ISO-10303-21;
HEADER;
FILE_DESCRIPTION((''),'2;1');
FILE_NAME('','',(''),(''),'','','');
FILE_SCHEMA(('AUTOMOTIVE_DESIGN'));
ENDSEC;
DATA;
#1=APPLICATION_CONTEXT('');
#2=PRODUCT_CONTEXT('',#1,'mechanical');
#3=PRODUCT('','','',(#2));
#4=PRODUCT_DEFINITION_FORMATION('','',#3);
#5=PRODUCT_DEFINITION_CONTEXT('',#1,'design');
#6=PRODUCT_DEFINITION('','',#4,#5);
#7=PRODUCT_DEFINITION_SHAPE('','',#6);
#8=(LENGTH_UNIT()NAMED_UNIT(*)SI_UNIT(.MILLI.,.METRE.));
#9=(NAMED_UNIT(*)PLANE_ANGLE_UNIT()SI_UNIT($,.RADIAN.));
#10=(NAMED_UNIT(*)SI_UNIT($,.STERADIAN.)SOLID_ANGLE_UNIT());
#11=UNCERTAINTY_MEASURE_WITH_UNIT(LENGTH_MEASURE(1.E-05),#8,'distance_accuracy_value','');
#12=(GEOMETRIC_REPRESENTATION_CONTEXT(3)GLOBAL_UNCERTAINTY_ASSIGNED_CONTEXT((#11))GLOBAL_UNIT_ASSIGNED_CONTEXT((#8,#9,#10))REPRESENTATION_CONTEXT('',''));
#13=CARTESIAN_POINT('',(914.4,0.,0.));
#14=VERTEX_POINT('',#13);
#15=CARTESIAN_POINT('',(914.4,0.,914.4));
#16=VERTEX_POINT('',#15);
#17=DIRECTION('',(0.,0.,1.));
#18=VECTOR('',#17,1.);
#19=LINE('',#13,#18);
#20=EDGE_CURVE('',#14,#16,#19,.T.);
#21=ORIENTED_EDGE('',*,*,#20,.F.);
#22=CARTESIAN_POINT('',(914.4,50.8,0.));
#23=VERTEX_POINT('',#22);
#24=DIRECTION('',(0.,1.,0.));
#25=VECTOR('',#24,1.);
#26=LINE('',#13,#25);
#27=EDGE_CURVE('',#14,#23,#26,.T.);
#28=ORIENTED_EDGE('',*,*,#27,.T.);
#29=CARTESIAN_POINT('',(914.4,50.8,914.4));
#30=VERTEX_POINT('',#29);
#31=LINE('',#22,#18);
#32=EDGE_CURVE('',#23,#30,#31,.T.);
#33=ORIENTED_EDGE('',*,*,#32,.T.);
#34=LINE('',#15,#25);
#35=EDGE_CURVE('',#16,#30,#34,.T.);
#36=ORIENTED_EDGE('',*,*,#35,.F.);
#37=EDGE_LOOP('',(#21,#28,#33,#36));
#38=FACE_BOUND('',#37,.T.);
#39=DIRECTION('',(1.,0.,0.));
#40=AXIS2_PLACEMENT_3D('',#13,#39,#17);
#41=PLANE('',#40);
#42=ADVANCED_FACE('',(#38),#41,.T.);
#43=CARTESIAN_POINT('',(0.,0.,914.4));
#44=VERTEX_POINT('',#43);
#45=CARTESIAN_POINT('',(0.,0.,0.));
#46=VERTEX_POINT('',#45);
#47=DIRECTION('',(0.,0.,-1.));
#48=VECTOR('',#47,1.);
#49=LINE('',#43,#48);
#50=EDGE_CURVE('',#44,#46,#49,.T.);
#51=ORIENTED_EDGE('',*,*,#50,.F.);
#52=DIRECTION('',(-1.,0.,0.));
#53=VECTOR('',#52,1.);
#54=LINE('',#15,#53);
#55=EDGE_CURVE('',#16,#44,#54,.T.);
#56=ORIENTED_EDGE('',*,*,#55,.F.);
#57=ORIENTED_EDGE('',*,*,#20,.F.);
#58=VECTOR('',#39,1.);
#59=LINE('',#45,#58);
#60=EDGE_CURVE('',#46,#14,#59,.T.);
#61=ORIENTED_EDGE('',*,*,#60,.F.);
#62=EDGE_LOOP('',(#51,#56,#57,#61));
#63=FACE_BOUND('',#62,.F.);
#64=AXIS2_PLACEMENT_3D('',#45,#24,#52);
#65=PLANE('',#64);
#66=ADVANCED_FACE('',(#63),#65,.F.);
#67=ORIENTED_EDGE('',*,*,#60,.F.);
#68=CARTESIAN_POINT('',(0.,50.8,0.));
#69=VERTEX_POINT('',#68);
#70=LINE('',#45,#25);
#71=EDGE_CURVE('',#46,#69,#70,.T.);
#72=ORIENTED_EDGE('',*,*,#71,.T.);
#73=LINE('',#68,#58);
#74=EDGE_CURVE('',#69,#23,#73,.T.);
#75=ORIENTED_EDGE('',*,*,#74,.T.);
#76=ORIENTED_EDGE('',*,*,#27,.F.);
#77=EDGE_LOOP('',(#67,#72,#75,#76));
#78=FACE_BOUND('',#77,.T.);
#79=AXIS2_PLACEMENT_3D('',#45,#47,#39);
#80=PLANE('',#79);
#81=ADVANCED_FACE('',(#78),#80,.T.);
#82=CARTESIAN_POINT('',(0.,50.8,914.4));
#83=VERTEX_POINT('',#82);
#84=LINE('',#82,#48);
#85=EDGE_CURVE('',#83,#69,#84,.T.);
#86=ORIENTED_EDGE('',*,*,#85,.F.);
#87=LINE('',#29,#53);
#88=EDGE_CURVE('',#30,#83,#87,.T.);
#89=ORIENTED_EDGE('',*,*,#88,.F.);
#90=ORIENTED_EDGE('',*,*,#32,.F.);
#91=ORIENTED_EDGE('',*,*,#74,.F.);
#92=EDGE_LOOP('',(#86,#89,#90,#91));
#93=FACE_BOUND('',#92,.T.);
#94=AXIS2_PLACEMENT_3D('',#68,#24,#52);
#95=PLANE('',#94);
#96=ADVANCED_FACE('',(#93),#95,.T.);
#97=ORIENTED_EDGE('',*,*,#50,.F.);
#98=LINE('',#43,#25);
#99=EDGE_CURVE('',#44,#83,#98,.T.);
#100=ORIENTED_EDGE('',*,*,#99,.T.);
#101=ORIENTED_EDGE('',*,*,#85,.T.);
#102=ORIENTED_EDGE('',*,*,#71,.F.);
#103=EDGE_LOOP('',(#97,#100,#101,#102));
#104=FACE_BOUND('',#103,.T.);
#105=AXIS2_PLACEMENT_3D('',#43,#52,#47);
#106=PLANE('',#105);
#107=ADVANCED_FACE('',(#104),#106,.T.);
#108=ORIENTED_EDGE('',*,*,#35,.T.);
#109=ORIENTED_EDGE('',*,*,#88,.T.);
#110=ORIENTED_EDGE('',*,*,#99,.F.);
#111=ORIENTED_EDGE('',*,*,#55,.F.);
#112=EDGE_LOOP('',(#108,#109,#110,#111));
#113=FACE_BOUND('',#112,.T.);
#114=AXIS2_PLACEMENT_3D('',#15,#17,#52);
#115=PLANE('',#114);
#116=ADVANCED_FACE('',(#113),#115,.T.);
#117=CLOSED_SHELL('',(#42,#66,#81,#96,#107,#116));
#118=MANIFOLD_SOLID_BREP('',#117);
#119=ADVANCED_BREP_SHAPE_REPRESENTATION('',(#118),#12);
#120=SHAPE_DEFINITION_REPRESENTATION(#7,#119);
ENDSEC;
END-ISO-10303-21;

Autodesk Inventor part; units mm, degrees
ref_plane "YZ Plane" through (0, 0, 0) normal (1, 0, 0) x (0, 1, 0)
ref_plane "XZ Plane" through (0, 0, 0) normal (0, 1, 0) x (-1, 0, 0)
ref_plane "XY Plane" through (0, 0, 0) normal (0, 0, 1) x (1, 0, 0)
sketch "Sketch1" plane through (0, 0, 0) normal (0, 1, 0) x (-1, 0, 0)
  line L0 (0, 0) -> (-914.4, 0)
  line L1 (-914.4, 0) -> (-914.4, 914.4)
  line L2 (-914.4, 914.4) -> (0, 914.4)
  line L3 (0, 914.4) -> (0, 0)
  dimension "d0" = 914.4
  dimension "d1" = 914.4
extrude "Extrusion1" add sketch "Sketch1" along normal blind 50.8
properties part number "A" material "Granite, Cut, Polished"
